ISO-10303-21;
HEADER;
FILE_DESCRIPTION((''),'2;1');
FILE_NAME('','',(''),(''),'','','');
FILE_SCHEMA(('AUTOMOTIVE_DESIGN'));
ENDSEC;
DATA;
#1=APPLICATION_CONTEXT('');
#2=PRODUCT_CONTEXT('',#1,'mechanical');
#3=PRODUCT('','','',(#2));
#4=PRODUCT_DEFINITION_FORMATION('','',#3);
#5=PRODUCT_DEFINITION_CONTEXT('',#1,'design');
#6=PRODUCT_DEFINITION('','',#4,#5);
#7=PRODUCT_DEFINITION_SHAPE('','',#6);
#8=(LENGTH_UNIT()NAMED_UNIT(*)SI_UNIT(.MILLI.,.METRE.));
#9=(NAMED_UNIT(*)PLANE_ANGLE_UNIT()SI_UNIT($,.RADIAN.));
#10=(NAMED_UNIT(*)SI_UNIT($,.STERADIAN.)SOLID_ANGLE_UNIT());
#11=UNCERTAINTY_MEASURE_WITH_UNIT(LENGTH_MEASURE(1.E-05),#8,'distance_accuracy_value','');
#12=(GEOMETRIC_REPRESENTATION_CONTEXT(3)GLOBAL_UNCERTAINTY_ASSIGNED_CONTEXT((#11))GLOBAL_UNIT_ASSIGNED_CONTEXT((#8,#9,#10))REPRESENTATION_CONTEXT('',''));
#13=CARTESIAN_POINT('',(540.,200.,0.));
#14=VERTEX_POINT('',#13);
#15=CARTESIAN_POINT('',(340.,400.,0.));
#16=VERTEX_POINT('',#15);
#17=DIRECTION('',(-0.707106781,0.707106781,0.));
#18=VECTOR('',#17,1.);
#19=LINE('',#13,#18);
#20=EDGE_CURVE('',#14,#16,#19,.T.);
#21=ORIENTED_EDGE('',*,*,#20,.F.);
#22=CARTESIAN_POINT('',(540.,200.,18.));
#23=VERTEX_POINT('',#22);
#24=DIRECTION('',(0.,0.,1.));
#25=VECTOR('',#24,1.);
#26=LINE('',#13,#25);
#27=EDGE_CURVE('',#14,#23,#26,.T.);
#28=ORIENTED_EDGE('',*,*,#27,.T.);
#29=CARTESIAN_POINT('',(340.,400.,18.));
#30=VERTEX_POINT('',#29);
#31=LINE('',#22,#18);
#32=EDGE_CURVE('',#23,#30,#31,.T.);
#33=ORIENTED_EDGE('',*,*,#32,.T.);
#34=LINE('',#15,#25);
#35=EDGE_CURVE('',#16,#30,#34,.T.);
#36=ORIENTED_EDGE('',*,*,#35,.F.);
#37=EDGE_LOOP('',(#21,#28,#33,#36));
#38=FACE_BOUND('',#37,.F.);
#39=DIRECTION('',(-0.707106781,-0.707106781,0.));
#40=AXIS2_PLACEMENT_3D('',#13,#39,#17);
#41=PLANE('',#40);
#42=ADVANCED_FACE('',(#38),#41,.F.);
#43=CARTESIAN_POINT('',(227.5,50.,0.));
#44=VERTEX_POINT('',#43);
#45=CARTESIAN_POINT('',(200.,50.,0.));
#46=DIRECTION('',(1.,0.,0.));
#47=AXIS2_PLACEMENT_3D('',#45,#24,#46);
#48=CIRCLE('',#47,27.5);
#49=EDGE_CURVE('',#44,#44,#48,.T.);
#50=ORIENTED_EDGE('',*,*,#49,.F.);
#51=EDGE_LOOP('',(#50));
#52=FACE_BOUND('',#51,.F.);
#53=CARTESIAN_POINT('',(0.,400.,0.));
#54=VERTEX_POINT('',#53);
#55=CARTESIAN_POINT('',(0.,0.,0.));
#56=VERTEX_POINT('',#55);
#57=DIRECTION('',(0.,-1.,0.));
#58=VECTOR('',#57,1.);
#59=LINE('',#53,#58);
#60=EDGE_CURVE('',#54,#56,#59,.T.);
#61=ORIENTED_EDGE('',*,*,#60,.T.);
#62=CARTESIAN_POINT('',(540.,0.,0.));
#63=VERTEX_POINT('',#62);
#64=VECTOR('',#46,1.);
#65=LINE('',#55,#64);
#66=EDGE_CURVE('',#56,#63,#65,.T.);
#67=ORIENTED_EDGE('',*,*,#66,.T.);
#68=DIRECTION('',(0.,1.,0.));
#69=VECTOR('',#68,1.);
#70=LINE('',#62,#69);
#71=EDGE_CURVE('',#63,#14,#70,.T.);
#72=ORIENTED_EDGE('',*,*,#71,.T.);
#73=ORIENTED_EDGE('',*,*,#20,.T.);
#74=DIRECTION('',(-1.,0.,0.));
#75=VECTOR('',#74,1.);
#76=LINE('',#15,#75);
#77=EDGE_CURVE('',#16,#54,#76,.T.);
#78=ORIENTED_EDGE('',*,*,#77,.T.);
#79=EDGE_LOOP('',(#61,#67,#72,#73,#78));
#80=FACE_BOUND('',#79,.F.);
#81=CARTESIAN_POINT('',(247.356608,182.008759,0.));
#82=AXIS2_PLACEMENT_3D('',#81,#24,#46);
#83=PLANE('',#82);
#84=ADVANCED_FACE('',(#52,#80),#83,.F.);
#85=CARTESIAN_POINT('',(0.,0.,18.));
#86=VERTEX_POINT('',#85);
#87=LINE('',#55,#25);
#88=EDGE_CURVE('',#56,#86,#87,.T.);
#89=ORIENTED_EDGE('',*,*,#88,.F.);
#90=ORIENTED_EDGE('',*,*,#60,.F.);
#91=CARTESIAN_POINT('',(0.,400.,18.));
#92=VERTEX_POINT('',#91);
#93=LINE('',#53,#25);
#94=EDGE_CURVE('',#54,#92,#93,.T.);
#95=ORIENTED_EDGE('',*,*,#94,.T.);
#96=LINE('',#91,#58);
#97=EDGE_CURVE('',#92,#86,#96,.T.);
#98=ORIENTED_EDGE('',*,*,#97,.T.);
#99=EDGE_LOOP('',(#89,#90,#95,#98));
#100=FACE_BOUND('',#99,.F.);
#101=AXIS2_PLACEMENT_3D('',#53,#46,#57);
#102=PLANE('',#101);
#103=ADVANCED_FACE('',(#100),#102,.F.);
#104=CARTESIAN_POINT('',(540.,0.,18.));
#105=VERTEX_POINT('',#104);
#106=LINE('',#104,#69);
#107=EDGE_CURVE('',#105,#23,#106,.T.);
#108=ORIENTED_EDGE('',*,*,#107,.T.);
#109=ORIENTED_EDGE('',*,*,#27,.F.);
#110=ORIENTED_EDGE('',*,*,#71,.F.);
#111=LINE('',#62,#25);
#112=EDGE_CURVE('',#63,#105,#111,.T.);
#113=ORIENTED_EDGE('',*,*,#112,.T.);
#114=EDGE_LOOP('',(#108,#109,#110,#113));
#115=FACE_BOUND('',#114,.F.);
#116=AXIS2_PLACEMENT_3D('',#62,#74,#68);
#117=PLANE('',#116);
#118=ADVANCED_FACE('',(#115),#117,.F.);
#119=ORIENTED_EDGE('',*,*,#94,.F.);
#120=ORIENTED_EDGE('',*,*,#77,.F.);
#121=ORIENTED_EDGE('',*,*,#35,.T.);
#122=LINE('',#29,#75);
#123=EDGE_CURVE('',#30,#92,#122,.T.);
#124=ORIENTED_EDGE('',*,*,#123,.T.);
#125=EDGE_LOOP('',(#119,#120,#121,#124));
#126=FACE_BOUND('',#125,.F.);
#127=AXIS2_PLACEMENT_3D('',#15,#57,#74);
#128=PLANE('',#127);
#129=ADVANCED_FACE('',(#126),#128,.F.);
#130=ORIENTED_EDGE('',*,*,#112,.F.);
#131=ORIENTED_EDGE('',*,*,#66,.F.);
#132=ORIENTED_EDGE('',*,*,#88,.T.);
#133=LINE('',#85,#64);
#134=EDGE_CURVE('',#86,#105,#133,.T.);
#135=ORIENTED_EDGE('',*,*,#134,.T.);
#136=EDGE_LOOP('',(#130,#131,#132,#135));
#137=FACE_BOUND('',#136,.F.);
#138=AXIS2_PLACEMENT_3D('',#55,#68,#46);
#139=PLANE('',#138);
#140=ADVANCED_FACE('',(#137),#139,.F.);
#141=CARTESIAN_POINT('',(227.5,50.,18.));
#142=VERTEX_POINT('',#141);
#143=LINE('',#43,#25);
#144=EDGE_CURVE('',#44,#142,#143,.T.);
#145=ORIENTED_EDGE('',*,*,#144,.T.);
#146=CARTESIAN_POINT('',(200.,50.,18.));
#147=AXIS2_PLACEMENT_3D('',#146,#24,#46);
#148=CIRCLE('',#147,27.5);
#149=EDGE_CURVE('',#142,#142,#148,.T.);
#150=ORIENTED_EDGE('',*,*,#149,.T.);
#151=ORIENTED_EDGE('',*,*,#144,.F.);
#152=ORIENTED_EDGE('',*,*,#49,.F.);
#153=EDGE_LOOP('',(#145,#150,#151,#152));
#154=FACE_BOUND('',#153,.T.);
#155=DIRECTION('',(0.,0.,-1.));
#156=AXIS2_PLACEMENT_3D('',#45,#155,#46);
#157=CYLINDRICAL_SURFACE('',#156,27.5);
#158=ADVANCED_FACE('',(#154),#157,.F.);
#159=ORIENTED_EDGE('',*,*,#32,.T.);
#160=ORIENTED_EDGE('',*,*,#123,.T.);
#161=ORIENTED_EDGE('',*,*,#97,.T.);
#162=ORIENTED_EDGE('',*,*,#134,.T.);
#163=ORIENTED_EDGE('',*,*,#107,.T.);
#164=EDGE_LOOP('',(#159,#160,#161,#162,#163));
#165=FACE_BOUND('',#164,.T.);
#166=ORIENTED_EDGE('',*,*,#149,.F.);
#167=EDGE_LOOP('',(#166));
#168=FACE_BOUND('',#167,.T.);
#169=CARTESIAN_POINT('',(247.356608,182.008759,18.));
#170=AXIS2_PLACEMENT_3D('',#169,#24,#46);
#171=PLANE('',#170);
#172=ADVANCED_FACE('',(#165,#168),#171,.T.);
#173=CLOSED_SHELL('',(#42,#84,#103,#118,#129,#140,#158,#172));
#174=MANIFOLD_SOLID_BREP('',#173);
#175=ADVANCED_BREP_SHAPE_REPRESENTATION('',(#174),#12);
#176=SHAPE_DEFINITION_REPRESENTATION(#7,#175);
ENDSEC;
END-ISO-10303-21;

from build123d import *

# Parameters (mm, degrees)
F0_R     = 27.5
F1_DEPTH = 18


with BuildPart() as f1:
    # F0 (on Top) → F1 (new body)
    with BuildSketch(Plane.XY):
        Polygon((0, 400), (0, 0), (540, 0), (540, 200), (340, 400), align=None)
        with Locations((200, 50)):
            Circle(F0_R, mode=Mode.SUBTRACT)
    extrude(amount=F1_DEPTH)


solid = f1.part
